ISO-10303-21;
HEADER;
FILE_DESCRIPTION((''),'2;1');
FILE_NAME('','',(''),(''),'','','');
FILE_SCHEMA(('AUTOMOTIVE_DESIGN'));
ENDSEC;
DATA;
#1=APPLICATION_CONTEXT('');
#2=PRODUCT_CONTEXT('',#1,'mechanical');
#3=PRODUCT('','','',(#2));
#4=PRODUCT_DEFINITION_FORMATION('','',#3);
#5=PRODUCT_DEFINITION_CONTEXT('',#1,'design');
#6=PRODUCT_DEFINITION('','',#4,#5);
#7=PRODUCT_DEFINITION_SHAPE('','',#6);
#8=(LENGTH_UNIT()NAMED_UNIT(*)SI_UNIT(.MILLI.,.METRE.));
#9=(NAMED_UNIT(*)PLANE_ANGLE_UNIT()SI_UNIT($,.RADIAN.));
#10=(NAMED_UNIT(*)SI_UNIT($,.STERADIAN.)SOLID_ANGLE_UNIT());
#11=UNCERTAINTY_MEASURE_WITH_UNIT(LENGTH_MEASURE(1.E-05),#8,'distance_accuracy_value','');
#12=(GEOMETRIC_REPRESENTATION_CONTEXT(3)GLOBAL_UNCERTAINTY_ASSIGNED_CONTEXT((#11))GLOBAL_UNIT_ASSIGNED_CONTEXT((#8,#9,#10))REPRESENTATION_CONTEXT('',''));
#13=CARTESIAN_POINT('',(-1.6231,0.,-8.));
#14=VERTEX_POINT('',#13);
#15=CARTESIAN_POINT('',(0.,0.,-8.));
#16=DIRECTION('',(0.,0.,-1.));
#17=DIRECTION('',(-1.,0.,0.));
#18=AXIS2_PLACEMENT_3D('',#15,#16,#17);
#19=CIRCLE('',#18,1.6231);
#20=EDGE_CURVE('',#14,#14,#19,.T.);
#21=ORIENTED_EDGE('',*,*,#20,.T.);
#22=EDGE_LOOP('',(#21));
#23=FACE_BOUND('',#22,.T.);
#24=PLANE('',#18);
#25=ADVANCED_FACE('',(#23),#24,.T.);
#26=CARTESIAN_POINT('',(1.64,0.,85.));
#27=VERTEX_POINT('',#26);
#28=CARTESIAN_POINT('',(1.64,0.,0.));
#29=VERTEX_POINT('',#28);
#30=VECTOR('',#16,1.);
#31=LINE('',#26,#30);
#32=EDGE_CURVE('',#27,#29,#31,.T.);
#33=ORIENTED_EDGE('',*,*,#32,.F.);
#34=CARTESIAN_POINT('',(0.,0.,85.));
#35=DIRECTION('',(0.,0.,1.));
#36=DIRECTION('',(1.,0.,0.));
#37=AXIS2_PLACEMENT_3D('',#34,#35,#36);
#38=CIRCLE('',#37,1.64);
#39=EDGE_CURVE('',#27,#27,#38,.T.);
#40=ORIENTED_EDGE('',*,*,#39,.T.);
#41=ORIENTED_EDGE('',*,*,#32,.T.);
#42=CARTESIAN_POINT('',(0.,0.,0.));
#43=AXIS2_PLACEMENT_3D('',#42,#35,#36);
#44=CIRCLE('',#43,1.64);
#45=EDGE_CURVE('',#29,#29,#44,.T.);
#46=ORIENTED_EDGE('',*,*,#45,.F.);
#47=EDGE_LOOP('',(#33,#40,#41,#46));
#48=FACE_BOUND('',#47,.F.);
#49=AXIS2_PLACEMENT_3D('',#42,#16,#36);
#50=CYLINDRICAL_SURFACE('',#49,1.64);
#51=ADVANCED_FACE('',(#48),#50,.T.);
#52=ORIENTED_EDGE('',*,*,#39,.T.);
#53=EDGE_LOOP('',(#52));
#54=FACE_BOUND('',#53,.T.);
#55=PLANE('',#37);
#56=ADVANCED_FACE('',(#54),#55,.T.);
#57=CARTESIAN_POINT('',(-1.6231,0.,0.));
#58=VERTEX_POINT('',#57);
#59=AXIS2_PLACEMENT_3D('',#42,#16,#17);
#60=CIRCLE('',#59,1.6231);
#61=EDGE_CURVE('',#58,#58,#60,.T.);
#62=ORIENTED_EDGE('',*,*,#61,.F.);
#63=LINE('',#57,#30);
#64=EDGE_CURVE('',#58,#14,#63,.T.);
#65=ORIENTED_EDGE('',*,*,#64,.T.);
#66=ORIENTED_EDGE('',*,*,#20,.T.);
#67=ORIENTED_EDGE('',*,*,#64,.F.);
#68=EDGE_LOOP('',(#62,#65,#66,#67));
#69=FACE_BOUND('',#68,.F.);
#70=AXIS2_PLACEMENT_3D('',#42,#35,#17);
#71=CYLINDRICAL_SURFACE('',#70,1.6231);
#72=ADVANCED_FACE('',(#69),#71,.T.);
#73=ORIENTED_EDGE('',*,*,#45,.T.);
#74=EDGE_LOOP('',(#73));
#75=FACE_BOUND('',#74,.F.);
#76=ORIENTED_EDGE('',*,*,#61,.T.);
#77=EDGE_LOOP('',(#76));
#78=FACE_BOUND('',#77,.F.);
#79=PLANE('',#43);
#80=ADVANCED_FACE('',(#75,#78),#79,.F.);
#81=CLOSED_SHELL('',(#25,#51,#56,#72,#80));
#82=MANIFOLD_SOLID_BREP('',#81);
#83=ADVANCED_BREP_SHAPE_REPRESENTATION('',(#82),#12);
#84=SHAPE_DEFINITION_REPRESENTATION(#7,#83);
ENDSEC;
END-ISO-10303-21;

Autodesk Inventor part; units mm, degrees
ref_plane "YZ Plane" through (0, 0, 0) normal (1, 0, 0) x (0, 1, 0)
ref_plane "XZ Plane" through (0, 0, 0) normal (0, 1, 0) x (-1, 0, 0)
ref_plane "XY Plane" through (0, 0, 0) normal (0, 0, 1) x (1, 0, 0)
sketch "Sketch1" plane through (0, 0, 0) normal (0, 0, 1) x (1, 0, 0)
  circle A0 centre (0, 0) radius 1.64
  dimension "d0" = 3.28
extrude "Extrusion1" add sketch "Sketch1" along normal blind 75
sketch "Sketch2" plane through (0, 0, 75) normal (0, 0, 1) x (1, 0, 0)
  point P0 (0, 0)
sketch "Sketch3" plane through (0, 0, 75) normal (0, 0, 1) x (1, 0, 0)
  circle A0 centre (0, 0) radius 1.64
extrude "Extrusion2" add sketch "Sketch3" along normal blind 10
sketch "Sketch4" plane through (0, 0, 0) normal (0, 0, -1) x (-1, 0, 0)
  circle A0 centre (0, 0) radius 1.6231
extrude "Extrusion3" add sketch "Sketch4" along normal blind 8
properties part number "rod"
